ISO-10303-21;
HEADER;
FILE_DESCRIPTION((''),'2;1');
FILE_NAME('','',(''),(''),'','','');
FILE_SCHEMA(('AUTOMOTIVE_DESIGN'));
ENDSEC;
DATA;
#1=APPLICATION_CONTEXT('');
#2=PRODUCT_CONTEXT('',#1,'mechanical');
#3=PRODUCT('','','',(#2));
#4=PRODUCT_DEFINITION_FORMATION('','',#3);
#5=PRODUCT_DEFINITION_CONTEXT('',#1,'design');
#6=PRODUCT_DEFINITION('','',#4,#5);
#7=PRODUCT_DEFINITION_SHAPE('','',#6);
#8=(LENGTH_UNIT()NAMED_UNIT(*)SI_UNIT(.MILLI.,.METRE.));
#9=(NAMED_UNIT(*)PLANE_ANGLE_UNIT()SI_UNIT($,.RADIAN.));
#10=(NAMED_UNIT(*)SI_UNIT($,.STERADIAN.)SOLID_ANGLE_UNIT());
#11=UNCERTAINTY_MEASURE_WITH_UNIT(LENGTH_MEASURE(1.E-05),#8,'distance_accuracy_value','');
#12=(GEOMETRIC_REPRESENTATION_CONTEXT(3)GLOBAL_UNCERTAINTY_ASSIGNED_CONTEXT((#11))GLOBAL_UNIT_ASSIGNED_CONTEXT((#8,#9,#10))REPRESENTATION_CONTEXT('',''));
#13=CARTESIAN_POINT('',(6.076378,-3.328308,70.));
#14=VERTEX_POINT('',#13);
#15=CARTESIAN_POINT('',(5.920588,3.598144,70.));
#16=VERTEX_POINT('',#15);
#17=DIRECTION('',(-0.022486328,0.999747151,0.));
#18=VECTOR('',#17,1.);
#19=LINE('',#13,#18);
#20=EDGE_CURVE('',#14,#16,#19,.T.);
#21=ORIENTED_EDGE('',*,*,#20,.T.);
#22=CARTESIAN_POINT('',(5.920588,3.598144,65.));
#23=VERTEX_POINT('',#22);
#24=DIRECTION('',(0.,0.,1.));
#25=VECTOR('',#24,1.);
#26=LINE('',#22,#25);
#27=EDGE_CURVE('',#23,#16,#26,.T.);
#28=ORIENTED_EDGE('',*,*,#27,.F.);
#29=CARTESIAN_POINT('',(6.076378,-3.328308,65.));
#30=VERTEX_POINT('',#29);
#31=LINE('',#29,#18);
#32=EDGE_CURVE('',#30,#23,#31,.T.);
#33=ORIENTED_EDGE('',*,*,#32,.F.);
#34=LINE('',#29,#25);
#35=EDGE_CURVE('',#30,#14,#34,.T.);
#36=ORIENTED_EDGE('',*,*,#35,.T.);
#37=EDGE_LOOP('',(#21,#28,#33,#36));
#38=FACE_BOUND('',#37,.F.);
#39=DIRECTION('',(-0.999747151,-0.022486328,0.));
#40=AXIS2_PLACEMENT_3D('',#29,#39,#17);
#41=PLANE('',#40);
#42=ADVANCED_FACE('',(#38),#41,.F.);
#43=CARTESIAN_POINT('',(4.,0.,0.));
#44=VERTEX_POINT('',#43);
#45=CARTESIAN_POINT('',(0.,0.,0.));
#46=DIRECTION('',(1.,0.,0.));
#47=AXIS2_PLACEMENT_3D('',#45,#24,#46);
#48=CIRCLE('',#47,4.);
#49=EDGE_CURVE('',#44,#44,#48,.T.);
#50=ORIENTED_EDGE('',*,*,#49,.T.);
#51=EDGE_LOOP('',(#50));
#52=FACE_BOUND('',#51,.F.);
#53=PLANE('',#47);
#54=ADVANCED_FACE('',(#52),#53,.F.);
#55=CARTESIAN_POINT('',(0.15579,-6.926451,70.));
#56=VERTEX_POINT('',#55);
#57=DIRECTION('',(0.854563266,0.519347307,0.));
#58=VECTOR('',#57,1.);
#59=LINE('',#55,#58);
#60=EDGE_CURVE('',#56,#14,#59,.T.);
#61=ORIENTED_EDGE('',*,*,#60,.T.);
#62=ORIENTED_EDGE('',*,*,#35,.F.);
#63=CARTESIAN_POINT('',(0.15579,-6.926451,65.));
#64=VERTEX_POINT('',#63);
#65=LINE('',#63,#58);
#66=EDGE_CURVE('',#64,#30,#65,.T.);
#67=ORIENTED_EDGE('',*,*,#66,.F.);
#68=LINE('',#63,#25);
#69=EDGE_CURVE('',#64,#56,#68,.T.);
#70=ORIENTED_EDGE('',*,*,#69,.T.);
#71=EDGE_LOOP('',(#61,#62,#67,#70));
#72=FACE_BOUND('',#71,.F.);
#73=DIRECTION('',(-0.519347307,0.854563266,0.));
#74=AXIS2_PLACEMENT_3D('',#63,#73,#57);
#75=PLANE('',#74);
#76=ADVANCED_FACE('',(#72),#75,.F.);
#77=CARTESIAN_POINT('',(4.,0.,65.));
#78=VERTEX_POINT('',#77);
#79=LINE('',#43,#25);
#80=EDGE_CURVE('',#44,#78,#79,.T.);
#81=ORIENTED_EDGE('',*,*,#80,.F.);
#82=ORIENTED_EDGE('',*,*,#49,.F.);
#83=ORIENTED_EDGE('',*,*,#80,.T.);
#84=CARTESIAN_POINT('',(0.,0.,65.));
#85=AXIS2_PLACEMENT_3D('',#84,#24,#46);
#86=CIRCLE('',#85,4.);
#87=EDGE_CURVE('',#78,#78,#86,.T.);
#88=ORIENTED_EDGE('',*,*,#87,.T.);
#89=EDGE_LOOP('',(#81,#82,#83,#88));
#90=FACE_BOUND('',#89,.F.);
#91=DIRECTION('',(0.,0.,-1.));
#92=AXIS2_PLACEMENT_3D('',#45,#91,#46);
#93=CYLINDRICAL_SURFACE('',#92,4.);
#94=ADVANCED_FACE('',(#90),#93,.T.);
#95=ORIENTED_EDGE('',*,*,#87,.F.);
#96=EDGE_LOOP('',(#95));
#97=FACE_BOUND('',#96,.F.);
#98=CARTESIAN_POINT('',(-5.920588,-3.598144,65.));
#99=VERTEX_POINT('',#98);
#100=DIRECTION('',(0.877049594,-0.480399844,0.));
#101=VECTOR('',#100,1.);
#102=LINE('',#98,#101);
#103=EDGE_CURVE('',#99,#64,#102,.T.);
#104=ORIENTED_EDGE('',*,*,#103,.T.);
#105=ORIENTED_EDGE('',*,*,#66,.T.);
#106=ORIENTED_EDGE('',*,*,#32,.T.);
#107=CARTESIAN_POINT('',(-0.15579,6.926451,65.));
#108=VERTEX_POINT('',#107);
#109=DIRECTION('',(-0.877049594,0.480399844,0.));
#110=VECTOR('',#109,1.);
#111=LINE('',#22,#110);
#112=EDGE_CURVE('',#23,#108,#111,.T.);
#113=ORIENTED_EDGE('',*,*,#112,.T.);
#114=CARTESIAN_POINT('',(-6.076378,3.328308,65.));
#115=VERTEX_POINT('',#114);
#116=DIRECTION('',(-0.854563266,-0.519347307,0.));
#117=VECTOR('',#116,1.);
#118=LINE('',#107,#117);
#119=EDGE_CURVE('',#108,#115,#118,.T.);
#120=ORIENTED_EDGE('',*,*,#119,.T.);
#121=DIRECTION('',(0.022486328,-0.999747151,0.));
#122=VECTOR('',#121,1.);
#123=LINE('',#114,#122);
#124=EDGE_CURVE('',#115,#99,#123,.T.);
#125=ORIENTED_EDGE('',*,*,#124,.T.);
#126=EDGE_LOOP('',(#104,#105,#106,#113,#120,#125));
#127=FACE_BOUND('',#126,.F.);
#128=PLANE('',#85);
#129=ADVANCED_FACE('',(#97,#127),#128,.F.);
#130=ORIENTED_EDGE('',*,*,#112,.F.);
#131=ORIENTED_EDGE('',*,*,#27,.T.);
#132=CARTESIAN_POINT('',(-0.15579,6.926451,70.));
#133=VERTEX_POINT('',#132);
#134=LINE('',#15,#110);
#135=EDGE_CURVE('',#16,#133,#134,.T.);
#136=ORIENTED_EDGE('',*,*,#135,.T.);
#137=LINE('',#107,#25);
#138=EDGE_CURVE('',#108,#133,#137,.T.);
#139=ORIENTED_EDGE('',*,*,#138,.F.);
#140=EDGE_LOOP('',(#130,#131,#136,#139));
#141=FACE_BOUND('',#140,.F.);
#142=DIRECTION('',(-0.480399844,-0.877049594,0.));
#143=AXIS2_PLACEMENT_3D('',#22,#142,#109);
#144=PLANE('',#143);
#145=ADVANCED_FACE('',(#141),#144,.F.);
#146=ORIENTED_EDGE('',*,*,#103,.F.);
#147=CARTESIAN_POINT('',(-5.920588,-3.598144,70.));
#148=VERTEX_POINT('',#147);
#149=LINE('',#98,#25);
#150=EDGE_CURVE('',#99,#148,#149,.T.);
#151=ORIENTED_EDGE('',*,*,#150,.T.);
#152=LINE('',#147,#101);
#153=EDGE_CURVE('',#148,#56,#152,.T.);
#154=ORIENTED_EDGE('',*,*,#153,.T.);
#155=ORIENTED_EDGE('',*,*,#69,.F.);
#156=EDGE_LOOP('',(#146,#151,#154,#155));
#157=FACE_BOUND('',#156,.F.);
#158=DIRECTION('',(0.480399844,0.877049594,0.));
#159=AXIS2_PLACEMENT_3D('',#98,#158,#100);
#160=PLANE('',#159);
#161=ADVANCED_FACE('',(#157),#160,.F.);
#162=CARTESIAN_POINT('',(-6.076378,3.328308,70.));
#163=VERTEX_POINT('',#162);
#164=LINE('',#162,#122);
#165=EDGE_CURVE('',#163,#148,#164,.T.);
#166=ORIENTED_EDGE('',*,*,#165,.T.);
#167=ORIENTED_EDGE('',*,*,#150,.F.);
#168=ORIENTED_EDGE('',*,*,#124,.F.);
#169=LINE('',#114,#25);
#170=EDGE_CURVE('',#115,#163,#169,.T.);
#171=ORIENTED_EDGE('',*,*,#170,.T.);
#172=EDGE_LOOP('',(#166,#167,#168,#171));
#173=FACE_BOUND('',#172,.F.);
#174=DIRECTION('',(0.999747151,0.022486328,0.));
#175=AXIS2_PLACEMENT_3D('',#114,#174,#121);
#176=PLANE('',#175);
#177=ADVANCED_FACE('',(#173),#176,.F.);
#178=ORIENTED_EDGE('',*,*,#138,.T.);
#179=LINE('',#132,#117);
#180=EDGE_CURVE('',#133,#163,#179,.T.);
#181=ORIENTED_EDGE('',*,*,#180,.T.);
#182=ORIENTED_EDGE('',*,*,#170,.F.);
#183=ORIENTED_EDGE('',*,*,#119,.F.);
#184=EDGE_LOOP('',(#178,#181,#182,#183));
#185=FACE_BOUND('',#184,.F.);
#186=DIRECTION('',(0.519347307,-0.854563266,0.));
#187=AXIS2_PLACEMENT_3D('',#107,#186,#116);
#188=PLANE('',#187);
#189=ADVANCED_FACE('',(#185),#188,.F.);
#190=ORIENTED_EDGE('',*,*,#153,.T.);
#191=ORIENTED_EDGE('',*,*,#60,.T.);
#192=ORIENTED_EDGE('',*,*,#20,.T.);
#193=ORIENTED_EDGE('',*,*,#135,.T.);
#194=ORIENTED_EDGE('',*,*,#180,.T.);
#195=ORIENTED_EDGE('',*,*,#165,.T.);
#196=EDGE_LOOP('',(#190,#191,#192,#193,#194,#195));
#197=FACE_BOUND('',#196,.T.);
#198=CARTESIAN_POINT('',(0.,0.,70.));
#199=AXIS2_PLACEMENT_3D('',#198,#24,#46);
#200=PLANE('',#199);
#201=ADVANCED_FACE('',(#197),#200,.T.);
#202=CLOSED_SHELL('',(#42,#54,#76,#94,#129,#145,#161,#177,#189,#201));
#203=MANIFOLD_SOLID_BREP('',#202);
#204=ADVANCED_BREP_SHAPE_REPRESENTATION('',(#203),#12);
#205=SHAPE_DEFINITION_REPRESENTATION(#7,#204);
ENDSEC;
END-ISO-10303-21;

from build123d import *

# Parameters (mm, degrees)
SKETCH_1_R      = 4
EXTRUDE_1_DEPTH = 65
EXTRUDE_2_DEPTH = 5


with BuildPart() as part:
    # 草图1 → 凸台-拉伸1 (new body)
    with BuildSketch(Plane.XY):
        Circle(SKETCH_1_R)
    extrude(amount=EXTRUDE_1_DEPTH)

    # 草图2 → 凸台-拉伸2 (add)
    with BuildSketch(Plane.XY.offset(65)):
        Polygon((6.076377829, -3.32830775), (5.920587978, 3.598143688), (-0.155789852, 6.926451438), (-6.076377829, 3.32830775), (-5.920587978, -3.598143688), (0.155789852, -6.926451438), align=None)
    extrude(amount=EXTRUDE_2_DEPTH)


solid = part.part
